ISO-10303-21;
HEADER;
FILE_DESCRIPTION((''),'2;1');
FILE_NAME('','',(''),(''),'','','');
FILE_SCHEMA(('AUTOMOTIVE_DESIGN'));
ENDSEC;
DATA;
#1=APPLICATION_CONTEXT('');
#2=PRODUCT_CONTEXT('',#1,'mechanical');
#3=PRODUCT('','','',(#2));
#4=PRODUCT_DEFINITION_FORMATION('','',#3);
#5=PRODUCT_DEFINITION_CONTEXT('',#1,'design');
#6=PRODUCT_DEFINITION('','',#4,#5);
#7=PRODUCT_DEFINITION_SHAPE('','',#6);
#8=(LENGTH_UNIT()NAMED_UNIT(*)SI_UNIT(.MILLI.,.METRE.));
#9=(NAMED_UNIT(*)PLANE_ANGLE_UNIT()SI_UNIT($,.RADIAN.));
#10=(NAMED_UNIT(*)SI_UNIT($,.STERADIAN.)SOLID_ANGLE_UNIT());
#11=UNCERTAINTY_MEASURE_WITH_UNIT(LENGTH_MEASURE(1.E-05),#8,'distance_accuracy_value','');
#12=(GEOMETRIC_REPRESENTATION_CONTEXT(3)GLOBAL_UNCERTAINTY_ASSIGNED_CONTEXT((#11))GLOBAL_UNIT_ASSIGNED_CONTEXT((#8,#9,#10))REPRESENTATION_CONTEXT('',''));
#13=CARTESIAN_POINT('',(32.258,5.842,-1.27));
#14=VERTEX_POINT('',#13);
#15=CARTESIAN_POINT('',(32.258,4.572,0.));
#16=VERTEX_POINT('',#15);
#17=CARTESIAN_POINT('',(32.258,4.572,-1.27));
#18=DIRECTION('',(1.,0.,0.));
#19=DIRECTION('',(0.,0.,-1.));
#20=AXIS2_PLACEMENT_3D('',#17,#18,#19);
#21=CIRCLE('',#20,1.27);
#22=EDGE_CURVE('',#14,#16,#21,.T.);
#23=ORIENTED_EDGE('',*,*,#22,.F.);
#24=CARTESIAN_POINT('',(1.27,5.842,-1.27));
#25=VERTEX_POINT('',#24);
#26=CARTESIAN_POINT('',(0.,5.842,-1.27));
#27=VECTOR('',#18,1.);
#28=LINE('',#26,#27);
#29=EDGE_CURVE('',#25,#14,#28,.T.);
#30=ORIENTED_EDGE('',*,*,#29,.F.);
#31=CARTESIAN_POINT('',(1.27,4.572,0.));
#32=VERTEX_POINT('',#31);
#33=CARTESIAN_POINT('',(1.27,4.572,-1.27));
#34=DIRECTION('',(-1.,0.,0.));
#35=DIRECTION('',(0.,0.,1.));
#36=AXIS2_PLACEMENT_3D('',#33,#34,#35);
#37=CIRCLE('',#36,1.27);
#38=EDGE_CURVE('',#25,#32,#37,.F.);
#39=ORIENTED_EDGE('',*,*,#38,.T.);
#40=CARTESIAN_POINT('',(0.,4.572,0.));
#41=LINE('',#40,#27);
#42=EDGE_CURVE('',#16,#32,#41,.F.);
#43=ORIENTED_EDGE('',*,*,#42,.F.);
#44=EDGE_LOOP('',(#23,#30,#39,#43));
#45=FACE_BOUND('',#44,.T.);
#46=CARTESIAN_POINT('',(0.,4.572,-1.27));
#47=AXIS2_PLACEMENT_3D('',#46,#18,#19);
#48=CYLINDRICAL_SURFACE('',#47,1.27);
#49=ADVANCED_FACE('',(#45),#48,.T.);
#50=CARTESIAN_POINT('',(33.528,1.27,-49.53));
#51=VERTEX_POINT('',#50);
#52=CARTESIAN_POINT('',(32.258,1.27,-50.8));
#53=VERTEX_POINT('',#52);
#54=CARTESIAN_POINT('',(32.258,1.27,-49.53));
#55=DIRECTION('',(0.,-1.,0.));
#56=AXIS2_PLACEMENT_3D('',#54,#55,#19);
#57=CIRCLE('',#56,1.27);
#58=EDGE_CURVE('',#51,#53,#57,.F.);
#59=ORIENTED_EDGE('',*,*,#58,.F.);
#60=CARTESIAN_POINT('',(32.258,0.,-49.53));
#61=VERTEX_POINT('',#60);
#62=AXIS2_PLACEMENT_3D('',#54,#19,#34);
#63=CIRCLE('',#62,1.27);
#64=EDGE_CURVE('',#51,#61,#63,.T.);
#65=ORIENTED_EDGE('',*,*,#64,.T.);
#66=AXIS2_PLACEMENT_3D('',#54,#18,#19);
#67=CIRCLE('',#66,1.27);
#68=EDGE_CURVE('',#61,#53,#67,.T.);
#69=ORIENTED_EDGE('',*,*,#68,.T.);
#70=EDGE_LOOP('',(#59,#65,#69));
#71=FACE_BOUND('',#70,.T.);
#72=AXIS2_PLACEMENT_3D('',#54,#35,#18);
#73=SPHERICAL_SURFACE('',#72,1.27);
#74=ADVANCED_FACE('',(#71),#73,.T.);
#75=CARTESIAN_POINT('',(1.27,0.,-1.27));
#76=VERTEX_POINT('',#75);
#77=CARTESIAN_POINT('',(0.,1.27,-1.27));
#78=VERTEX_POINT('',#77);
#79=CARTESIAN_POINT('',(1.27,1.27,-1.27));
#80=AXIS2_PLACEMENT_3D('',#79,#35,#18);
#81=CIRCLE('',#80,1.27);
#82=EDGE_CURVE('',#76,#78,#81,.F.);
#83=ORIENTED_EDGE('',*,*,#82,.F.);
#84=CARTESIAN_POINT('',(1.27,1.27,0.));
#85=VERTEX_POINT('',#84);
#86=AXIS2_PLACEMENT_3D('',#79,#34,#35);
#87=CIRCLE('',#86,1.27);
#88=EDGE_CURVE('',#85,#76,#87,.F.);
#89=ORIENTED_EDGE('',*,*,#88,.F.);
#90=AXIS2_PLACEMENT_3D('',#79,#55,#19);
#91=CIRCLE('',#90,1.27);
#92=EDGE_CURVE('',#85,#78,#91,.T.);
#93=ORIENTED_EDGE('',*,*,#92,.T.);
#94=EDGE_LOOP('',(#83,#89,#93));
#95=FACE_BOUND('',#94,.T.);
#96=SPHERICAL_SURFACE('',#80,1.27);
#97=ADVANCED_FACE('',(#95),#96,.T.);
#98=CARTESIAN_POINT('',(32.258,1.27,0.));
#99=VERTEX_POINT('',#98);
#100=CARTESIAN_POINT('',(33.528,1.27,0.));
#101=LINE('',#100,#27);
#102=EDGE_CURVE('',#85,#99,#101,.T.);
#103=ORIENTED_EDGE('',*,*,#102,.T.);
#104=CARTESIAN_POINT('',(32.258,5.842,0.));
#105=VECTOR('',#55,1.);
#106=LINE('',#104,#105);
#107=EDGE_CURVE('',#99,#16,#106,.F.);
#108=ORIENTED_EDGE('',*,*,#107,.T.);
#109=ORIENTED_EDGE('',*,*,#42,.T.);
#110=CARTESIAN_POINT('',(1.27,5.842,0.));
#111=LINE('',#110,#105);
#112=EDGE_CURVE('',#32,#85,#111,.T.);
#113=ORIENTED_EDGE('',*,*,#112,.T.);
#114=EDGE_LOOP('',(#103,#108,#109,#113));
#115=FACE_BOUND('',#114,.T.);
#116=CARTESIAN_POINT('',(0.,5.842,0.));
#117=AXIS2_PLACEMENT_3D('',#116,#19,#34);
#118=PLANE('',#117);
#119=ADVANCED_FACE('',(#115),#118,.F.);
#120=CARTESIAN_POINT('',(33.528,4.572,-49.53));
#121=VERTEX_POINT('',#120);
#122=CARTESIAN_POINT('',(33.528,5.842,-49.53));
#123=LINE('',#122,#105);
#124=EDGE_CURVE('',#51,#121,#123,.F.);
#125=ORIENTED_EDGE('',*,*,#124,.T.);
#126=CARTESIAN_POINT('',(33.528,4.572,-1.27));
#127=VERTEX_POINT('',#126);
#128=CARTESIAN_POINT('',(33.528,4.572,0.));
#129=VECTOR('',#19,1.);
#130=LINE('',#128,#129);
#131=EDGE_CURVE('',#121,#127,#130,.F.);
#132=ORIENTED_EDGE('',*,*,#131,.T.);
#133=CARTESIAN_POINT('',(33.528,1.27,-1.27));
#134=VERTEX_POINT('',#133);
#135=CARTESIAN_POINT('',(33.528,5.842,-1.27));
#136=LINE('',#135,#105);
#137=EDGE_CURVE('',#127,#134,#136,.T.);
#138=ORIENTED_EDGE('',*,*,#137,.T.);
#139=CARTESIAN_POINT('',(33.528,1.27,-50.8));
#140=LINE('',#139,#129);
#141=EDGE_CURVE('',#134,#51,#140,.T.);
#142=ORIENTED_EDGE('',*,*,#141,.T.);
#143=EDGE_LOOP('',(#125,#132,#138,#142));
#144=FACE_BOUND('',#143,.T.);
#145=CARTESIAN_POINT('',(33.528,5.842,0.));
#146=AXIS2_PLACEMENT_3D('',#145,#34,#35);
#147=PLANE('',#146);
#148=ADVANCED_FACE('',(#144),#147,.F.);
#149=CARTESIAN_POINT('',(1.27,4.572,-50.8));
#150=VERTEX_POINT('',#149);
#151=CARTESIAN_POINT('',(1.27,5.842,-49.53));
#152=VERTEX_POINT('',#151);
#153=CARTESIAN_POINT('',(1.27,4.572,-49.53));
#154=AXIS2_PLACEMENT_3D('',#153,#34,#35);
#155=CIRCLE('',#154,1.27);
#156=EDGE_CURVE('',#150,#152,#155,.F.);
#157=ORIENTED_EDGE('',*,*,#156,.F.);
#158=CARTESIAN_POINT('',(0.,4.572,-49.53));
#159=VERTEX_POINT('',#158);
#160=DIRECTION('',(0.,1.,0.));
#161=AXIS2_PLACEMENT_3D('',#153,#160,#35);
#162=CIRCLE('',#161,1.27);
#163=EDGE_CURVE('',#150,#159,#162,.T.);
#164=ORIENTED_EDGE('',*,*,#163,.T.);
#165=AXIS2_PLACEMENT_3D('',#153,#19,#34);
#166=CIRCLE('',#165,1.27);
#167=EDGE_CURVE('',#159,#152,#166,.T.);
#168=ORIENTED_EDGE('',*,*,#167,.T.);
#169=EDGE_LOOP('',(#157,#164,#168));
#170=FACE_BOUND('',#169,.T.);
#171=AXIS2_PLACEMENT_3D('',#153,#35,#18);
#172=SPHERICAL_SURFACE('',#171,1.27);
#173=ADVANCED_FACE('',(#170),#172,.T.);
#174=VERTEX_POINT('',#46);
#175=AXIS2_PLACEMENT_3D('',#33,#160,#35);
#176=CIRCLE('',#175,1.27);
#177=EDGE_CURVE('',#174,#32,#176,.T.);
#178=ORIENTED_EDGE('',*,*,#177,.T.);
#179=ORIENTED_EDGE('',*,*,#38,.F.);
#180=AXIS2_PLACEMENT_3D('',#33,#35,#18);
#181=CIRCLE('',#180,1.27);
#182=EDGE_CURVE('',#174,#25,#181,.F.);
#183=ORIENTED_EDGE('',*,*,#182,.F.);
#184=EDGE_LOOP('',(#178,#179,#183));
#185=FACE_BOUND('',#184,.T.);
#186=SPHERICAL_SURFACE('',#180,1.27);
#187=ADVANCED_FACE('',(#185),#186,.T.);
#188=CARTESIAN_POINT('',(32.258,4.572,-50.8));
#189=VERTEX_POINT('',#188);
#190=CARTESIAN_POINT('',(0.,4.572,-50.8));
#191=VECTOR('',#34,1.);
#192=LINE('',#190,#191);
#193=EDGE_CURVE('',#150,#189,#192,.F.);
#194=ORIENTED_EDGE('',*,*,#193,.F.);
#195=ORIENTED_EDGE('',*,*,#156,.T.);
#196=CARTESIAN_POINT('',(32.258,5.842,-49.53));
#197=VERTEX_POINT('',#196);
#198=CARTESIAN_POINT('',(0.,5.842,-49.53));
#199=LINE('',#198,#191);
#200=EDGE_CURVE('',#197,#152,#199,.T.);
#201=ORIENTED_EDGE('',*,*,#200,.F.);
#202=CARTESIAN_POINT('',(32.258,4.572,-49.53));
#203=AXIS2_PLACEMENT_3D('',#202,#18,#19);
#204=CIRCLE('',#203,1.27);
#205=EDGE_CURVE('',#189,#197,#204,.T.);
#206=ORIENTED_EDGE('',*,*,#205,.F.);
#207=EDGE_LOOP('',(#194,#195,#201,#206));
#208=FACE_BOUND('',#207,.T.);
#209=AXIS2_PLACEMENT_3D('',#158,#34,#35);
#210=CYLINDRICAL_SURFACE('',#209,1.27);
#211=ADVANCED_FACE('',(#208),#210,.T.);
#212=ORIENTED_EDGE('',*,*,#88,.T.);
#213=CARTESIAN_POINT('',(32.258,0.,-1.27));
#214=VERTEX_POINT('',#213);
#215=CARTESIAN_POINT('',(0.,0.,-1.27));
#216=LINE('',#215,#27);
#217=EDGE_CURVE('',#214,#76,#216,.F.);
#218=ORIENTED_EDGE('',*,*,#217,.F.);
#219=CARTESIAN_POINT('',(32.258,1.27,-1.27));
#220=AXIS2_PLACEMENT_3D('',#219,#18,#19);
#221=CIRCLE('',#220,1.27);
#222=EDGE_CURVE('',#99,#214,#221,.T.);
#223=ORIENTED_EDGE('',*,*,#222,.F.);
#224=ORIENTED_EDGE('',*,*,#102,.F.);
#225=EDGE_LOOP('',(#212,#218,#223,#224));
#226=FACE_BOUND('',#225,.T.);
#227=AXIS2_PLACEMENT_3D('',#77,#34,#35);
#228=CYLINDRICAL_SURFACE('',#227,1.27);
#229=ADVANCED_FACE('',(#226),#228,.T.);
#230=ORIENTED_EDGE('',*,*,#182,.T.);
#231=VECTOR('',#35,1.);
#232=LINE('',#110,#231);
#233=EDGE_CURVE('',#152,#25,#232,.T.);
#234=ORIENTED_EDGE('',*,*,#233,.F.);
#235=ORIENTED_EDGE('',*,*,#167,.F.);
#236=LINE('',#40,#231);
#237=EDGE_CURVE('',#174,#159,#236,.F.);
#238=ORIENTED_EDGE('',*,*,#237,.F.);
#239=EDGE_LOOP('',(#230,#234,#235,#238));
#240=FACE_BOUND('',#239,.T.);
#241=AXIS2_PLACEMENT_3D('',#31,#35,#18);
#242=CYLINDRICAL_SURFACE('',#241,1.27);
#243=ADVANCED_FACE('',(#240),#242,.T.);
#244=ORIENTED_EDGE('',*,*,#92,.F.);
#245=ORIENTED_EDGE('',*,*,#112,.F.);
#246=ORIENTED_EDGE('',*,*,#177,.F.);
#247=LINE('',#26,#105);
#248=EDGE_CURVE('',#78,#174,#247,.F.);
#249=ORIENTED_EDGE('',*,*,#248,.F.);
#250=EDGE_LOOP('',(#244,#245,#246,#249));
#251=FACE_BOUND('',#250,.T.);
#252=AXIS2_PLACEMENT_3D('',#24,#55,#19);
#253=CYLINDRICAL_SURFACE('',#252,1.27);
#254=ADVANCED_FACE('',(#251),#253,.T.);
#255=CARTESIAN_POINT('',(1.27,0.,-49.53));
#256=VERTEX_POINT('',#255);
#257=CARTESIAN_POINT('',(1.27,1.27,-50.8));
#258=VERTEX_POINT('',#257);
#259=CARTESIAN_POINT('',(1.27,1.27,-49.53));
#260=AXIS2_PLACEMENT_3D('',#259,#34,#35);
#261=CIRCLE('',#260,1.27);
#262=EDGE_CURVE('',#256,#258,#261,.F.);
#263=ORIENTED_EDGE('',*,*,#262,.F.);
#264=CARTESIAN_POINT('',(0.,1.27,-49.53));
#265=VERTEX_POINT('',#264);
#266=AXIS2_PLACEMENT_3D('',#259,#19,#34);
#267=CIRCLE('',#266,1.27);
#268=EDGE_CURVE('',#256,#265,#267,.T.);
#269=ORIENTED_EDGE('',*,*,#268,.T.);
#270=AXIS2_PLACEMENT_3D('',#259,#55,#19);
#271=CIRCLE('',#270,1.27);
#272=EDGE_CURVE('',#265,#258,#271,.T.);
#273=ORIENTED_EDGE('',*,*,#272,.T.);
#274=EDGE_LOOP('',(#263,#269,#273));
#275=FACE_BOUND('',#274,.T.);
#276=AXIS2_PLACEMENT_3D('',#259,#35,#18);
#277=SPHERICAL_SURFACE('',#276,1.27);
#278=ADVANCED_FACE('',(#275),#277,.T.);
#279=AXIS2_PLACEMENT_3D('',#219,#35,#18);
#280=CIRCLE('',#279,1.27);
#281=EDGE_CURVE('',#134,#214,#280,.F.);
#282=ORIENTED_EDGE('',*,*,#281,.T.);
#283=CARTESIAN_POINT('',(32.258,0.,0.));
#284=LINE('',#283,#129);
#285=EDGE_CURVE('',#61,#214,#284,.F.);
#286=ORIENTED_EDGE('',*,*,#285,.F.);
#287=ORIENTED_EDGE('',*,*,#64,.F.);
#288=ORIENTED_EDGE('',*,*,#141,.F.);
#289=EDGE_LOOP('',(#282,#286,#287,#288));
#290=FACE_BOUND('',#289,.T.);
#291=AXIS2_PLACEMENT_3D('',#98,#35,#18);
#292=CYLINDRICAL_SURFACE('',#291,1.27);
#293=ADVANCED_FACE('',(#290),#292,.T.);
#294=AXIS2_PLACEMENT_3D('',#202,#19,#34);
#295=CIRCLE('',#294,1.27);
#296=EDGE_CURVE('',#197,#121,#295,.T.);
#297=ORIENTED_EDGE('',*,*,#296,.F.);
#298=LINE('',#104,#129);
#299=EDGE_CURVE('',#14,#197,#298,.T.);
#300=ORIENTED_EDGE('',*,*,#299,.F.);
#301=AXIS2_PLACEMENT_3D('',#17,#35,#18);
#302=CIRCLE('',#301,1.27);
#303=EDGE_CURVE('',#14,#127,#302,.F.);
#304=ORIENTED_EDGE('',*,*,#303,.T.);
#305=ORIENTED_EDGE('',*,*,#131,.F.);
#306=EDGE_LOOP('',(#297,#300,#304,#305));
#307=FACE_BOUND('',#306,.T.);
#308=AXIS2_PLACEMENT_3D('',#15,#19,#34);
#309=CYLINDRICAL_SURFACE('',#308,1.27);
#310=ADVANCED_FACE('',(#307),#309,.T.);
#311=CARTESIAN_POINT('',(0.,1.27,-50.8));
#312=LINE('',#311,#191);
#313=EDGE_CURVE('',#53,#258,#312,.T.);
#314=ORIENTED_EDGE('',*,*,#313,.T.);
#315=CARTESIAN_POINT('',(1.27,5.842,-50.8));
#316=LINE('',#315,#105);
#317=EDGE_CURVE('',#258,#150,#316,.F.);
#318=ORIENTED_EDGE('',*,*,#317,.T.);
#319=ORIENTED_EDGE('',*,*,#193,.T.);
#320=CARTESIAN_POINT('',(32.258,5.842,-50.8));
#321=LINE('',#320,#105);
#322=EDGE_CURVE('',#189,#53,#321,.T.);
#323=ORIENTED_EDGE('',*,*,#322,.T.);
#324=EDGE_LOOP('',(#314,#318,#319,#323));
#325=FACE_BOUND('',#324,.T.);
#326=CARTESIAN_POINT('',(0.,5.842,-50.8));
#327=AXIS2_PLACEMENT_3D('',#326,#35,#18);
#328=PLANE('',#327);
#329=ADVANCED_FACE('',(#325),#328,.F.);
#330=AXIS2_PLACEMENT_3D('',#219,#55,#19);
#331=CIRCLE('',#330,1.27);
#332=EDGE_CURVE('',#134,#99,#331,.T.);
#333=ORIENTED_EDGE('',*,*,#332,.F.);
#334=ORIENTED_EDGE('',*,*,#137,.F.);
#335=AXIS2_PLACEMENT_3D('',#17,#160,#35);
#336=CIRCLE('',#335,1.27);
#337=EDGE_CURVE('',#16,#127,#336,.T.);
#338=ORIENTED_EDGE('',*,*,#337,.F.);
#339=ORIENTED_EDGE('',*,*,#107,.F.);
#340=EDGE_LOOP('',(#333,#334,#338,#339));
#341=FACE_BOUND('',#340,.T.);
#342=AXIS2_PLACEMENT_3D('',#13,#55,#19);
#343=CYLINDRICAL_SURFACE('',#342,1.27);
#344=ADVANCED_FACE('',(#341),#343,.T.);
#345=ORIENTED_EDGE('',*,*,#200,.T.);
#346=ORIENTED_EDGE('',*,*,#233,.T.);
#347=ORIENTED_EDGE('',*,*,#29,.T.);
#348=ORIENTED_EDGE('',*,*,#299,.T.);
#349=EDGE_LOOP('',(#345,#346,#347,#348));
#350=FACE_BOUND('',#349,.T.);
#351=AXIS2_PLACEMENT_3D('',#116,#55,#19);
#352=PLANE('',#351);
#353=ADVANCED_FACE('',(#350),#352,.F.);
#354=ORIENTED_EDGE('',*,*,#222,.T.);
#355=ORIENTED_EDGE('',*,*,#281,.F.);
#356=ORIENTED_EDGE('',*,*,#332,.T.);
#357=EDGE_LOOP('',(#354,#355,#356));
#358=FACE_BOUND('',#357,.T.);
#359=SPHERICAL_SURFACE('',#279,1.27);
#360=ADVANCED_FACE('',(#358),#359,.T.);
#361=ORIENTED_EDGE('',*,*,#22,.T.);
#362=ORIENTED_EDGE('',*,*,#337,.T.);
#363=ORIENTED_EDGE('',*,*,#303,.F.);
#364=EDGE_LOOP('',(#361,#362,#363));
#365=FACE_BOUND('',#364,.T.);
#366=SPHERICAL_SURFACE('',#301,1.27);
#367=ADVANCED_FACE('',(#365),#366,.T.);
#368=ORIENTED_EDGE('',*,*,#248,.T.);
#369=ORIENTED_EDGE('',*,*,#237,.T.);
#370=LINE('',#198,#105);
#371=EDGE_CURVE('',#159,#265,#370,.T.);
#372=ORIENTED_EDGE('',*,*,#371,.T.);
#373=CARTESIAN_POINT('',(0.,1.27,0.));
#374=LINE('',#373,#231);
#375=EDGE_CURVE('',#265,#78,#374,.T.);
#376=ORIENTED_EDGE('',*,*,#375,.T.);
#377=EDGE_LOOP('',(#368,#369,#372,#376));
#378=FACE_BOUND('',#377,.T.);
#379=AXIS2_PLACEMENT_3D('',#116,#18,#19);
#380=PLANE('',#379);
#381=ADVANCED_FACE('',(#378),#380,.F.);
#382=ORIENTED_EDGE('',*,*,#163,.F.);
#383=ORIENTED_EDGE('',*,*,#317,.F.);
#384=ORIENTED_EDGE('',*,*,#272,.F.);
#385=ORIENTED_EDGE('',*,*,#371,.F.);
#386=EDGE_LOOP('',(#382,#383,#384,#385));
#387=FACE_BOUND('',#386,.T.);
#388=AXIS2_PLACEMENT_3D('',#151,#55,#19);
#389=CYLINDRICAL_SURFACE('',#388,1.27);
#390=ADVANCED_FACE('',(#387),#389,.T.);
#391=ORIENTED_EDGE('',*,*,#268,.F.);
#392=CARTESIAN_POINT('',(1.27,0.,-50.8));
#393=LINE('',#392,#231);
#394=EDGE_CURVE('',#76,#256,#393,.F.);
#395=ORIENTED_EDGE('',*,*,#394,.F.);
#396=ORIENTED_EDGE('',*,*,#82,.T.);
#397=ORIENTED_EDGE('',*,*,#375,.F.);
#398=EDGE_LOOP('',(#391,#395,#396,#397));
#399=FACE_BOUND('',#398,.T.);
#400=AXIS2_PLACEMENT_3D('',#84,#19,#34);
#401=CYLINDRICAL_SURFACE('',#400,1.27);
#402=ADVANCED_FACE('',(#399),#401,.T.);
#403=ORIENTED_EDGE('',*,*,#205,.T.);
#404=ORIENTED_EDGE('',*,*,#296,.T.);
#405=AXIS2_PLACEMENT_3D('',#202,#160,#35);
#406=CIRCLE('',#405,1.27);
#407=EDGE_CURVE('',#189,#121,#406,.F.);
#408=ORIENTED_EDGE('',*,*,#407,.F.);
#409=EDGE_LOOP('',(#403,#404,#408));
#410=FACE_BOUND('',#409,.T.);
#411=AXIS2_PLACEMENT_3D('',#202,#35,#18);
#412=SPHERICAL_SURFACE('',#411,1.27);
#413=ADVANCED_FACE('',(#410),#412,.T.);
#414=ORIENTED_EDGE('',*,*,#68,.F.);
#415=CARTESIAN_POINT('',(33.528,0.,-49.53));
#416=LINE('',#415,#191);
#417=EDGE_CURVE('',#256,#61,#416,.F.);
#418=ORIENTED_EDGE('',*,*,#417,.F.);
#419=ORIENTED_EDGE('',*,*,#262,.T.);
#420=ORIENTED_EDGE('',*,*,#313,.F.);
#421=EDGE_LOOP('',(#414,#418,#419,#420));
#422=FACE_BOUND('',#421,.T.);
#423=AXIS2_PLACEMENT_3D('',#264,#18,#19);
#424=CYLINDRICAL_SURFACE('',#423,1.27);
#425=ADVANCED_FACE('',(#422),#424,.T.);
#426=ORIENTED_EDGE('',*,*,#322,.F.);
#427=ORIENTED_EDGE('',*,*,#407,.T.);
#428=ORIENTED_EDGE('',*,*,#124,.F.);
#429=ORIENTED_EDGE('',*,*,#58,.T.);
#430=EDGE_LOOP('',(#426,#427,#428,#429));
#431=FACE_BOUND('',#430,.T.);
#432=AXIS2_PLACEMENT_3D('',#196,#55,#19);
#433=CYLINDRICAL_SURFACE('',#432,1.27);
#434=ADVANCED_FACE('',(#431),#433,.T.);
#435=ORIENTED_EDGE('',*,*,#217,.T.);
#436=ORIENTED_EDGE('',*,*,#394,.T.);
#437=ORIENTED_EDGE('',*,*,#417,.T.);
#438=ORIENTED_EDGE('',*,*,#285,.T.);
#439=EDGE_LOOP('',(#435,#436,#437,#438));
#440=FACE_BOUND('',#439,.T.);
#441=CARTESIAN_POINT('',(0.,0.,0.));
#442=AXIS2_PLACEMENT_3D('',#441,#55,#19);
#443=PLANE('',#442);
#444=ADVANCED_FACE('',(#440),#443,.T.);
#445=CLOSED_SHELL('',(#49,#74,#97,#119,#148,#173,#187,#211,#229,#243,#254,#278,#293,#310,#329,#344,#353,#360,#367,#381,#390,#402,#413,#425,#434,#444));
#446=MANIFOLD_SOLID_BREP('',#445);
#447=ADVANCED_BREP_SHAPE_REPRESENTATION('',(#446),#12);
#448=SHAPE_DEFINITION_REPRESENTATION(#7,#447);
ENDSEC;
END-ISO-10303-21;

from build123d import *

# Parameters (mm, degrees)
SKETCH1_W           = 33.528
SKETCH1_H           = 50.8
BOSS_EXTRUDE1_DEPTH = 5.842
FILLET1_R           = 1.27


with BuildPart() as part:
    # Sketch1 → Boss-Extrude1 (new body)
    with BuildSketch(Plane(origin=(0, 0, 0), x_dir=(1, 0, 0), z_dir=(0, 1, 0))):
        with Locations((16.764, 25.4)):
            Rectangle(SKETCH1_W, SKETCH1_H)
    extrude(amount=BOSS_EXTRUDE1_DEPTH)

    # Fillet1
    fillet1_edges = [part.edges().sort_by_distance(p)[0] for p in [
        (33.528, 5.842, -25.4),
        (16.764, 5.842, -50.8),
        (0, 5.842, -25.4),
        (16.764, 0, -50.8),
        (33.528, 0, -25.4),
        (16.764, 0, 0),
        (0, 0, -25.4),
        (16.764, 5.842, 0),
        (0, 2.921, -50.8),
        (33.528, 2.921, -50.8),
        (33.528, 2.921, 0),
        (0, 2.921, 0),
    ]]
    fillet(fillet1_edges, radius=FILLET1_R)


solid = part.part
